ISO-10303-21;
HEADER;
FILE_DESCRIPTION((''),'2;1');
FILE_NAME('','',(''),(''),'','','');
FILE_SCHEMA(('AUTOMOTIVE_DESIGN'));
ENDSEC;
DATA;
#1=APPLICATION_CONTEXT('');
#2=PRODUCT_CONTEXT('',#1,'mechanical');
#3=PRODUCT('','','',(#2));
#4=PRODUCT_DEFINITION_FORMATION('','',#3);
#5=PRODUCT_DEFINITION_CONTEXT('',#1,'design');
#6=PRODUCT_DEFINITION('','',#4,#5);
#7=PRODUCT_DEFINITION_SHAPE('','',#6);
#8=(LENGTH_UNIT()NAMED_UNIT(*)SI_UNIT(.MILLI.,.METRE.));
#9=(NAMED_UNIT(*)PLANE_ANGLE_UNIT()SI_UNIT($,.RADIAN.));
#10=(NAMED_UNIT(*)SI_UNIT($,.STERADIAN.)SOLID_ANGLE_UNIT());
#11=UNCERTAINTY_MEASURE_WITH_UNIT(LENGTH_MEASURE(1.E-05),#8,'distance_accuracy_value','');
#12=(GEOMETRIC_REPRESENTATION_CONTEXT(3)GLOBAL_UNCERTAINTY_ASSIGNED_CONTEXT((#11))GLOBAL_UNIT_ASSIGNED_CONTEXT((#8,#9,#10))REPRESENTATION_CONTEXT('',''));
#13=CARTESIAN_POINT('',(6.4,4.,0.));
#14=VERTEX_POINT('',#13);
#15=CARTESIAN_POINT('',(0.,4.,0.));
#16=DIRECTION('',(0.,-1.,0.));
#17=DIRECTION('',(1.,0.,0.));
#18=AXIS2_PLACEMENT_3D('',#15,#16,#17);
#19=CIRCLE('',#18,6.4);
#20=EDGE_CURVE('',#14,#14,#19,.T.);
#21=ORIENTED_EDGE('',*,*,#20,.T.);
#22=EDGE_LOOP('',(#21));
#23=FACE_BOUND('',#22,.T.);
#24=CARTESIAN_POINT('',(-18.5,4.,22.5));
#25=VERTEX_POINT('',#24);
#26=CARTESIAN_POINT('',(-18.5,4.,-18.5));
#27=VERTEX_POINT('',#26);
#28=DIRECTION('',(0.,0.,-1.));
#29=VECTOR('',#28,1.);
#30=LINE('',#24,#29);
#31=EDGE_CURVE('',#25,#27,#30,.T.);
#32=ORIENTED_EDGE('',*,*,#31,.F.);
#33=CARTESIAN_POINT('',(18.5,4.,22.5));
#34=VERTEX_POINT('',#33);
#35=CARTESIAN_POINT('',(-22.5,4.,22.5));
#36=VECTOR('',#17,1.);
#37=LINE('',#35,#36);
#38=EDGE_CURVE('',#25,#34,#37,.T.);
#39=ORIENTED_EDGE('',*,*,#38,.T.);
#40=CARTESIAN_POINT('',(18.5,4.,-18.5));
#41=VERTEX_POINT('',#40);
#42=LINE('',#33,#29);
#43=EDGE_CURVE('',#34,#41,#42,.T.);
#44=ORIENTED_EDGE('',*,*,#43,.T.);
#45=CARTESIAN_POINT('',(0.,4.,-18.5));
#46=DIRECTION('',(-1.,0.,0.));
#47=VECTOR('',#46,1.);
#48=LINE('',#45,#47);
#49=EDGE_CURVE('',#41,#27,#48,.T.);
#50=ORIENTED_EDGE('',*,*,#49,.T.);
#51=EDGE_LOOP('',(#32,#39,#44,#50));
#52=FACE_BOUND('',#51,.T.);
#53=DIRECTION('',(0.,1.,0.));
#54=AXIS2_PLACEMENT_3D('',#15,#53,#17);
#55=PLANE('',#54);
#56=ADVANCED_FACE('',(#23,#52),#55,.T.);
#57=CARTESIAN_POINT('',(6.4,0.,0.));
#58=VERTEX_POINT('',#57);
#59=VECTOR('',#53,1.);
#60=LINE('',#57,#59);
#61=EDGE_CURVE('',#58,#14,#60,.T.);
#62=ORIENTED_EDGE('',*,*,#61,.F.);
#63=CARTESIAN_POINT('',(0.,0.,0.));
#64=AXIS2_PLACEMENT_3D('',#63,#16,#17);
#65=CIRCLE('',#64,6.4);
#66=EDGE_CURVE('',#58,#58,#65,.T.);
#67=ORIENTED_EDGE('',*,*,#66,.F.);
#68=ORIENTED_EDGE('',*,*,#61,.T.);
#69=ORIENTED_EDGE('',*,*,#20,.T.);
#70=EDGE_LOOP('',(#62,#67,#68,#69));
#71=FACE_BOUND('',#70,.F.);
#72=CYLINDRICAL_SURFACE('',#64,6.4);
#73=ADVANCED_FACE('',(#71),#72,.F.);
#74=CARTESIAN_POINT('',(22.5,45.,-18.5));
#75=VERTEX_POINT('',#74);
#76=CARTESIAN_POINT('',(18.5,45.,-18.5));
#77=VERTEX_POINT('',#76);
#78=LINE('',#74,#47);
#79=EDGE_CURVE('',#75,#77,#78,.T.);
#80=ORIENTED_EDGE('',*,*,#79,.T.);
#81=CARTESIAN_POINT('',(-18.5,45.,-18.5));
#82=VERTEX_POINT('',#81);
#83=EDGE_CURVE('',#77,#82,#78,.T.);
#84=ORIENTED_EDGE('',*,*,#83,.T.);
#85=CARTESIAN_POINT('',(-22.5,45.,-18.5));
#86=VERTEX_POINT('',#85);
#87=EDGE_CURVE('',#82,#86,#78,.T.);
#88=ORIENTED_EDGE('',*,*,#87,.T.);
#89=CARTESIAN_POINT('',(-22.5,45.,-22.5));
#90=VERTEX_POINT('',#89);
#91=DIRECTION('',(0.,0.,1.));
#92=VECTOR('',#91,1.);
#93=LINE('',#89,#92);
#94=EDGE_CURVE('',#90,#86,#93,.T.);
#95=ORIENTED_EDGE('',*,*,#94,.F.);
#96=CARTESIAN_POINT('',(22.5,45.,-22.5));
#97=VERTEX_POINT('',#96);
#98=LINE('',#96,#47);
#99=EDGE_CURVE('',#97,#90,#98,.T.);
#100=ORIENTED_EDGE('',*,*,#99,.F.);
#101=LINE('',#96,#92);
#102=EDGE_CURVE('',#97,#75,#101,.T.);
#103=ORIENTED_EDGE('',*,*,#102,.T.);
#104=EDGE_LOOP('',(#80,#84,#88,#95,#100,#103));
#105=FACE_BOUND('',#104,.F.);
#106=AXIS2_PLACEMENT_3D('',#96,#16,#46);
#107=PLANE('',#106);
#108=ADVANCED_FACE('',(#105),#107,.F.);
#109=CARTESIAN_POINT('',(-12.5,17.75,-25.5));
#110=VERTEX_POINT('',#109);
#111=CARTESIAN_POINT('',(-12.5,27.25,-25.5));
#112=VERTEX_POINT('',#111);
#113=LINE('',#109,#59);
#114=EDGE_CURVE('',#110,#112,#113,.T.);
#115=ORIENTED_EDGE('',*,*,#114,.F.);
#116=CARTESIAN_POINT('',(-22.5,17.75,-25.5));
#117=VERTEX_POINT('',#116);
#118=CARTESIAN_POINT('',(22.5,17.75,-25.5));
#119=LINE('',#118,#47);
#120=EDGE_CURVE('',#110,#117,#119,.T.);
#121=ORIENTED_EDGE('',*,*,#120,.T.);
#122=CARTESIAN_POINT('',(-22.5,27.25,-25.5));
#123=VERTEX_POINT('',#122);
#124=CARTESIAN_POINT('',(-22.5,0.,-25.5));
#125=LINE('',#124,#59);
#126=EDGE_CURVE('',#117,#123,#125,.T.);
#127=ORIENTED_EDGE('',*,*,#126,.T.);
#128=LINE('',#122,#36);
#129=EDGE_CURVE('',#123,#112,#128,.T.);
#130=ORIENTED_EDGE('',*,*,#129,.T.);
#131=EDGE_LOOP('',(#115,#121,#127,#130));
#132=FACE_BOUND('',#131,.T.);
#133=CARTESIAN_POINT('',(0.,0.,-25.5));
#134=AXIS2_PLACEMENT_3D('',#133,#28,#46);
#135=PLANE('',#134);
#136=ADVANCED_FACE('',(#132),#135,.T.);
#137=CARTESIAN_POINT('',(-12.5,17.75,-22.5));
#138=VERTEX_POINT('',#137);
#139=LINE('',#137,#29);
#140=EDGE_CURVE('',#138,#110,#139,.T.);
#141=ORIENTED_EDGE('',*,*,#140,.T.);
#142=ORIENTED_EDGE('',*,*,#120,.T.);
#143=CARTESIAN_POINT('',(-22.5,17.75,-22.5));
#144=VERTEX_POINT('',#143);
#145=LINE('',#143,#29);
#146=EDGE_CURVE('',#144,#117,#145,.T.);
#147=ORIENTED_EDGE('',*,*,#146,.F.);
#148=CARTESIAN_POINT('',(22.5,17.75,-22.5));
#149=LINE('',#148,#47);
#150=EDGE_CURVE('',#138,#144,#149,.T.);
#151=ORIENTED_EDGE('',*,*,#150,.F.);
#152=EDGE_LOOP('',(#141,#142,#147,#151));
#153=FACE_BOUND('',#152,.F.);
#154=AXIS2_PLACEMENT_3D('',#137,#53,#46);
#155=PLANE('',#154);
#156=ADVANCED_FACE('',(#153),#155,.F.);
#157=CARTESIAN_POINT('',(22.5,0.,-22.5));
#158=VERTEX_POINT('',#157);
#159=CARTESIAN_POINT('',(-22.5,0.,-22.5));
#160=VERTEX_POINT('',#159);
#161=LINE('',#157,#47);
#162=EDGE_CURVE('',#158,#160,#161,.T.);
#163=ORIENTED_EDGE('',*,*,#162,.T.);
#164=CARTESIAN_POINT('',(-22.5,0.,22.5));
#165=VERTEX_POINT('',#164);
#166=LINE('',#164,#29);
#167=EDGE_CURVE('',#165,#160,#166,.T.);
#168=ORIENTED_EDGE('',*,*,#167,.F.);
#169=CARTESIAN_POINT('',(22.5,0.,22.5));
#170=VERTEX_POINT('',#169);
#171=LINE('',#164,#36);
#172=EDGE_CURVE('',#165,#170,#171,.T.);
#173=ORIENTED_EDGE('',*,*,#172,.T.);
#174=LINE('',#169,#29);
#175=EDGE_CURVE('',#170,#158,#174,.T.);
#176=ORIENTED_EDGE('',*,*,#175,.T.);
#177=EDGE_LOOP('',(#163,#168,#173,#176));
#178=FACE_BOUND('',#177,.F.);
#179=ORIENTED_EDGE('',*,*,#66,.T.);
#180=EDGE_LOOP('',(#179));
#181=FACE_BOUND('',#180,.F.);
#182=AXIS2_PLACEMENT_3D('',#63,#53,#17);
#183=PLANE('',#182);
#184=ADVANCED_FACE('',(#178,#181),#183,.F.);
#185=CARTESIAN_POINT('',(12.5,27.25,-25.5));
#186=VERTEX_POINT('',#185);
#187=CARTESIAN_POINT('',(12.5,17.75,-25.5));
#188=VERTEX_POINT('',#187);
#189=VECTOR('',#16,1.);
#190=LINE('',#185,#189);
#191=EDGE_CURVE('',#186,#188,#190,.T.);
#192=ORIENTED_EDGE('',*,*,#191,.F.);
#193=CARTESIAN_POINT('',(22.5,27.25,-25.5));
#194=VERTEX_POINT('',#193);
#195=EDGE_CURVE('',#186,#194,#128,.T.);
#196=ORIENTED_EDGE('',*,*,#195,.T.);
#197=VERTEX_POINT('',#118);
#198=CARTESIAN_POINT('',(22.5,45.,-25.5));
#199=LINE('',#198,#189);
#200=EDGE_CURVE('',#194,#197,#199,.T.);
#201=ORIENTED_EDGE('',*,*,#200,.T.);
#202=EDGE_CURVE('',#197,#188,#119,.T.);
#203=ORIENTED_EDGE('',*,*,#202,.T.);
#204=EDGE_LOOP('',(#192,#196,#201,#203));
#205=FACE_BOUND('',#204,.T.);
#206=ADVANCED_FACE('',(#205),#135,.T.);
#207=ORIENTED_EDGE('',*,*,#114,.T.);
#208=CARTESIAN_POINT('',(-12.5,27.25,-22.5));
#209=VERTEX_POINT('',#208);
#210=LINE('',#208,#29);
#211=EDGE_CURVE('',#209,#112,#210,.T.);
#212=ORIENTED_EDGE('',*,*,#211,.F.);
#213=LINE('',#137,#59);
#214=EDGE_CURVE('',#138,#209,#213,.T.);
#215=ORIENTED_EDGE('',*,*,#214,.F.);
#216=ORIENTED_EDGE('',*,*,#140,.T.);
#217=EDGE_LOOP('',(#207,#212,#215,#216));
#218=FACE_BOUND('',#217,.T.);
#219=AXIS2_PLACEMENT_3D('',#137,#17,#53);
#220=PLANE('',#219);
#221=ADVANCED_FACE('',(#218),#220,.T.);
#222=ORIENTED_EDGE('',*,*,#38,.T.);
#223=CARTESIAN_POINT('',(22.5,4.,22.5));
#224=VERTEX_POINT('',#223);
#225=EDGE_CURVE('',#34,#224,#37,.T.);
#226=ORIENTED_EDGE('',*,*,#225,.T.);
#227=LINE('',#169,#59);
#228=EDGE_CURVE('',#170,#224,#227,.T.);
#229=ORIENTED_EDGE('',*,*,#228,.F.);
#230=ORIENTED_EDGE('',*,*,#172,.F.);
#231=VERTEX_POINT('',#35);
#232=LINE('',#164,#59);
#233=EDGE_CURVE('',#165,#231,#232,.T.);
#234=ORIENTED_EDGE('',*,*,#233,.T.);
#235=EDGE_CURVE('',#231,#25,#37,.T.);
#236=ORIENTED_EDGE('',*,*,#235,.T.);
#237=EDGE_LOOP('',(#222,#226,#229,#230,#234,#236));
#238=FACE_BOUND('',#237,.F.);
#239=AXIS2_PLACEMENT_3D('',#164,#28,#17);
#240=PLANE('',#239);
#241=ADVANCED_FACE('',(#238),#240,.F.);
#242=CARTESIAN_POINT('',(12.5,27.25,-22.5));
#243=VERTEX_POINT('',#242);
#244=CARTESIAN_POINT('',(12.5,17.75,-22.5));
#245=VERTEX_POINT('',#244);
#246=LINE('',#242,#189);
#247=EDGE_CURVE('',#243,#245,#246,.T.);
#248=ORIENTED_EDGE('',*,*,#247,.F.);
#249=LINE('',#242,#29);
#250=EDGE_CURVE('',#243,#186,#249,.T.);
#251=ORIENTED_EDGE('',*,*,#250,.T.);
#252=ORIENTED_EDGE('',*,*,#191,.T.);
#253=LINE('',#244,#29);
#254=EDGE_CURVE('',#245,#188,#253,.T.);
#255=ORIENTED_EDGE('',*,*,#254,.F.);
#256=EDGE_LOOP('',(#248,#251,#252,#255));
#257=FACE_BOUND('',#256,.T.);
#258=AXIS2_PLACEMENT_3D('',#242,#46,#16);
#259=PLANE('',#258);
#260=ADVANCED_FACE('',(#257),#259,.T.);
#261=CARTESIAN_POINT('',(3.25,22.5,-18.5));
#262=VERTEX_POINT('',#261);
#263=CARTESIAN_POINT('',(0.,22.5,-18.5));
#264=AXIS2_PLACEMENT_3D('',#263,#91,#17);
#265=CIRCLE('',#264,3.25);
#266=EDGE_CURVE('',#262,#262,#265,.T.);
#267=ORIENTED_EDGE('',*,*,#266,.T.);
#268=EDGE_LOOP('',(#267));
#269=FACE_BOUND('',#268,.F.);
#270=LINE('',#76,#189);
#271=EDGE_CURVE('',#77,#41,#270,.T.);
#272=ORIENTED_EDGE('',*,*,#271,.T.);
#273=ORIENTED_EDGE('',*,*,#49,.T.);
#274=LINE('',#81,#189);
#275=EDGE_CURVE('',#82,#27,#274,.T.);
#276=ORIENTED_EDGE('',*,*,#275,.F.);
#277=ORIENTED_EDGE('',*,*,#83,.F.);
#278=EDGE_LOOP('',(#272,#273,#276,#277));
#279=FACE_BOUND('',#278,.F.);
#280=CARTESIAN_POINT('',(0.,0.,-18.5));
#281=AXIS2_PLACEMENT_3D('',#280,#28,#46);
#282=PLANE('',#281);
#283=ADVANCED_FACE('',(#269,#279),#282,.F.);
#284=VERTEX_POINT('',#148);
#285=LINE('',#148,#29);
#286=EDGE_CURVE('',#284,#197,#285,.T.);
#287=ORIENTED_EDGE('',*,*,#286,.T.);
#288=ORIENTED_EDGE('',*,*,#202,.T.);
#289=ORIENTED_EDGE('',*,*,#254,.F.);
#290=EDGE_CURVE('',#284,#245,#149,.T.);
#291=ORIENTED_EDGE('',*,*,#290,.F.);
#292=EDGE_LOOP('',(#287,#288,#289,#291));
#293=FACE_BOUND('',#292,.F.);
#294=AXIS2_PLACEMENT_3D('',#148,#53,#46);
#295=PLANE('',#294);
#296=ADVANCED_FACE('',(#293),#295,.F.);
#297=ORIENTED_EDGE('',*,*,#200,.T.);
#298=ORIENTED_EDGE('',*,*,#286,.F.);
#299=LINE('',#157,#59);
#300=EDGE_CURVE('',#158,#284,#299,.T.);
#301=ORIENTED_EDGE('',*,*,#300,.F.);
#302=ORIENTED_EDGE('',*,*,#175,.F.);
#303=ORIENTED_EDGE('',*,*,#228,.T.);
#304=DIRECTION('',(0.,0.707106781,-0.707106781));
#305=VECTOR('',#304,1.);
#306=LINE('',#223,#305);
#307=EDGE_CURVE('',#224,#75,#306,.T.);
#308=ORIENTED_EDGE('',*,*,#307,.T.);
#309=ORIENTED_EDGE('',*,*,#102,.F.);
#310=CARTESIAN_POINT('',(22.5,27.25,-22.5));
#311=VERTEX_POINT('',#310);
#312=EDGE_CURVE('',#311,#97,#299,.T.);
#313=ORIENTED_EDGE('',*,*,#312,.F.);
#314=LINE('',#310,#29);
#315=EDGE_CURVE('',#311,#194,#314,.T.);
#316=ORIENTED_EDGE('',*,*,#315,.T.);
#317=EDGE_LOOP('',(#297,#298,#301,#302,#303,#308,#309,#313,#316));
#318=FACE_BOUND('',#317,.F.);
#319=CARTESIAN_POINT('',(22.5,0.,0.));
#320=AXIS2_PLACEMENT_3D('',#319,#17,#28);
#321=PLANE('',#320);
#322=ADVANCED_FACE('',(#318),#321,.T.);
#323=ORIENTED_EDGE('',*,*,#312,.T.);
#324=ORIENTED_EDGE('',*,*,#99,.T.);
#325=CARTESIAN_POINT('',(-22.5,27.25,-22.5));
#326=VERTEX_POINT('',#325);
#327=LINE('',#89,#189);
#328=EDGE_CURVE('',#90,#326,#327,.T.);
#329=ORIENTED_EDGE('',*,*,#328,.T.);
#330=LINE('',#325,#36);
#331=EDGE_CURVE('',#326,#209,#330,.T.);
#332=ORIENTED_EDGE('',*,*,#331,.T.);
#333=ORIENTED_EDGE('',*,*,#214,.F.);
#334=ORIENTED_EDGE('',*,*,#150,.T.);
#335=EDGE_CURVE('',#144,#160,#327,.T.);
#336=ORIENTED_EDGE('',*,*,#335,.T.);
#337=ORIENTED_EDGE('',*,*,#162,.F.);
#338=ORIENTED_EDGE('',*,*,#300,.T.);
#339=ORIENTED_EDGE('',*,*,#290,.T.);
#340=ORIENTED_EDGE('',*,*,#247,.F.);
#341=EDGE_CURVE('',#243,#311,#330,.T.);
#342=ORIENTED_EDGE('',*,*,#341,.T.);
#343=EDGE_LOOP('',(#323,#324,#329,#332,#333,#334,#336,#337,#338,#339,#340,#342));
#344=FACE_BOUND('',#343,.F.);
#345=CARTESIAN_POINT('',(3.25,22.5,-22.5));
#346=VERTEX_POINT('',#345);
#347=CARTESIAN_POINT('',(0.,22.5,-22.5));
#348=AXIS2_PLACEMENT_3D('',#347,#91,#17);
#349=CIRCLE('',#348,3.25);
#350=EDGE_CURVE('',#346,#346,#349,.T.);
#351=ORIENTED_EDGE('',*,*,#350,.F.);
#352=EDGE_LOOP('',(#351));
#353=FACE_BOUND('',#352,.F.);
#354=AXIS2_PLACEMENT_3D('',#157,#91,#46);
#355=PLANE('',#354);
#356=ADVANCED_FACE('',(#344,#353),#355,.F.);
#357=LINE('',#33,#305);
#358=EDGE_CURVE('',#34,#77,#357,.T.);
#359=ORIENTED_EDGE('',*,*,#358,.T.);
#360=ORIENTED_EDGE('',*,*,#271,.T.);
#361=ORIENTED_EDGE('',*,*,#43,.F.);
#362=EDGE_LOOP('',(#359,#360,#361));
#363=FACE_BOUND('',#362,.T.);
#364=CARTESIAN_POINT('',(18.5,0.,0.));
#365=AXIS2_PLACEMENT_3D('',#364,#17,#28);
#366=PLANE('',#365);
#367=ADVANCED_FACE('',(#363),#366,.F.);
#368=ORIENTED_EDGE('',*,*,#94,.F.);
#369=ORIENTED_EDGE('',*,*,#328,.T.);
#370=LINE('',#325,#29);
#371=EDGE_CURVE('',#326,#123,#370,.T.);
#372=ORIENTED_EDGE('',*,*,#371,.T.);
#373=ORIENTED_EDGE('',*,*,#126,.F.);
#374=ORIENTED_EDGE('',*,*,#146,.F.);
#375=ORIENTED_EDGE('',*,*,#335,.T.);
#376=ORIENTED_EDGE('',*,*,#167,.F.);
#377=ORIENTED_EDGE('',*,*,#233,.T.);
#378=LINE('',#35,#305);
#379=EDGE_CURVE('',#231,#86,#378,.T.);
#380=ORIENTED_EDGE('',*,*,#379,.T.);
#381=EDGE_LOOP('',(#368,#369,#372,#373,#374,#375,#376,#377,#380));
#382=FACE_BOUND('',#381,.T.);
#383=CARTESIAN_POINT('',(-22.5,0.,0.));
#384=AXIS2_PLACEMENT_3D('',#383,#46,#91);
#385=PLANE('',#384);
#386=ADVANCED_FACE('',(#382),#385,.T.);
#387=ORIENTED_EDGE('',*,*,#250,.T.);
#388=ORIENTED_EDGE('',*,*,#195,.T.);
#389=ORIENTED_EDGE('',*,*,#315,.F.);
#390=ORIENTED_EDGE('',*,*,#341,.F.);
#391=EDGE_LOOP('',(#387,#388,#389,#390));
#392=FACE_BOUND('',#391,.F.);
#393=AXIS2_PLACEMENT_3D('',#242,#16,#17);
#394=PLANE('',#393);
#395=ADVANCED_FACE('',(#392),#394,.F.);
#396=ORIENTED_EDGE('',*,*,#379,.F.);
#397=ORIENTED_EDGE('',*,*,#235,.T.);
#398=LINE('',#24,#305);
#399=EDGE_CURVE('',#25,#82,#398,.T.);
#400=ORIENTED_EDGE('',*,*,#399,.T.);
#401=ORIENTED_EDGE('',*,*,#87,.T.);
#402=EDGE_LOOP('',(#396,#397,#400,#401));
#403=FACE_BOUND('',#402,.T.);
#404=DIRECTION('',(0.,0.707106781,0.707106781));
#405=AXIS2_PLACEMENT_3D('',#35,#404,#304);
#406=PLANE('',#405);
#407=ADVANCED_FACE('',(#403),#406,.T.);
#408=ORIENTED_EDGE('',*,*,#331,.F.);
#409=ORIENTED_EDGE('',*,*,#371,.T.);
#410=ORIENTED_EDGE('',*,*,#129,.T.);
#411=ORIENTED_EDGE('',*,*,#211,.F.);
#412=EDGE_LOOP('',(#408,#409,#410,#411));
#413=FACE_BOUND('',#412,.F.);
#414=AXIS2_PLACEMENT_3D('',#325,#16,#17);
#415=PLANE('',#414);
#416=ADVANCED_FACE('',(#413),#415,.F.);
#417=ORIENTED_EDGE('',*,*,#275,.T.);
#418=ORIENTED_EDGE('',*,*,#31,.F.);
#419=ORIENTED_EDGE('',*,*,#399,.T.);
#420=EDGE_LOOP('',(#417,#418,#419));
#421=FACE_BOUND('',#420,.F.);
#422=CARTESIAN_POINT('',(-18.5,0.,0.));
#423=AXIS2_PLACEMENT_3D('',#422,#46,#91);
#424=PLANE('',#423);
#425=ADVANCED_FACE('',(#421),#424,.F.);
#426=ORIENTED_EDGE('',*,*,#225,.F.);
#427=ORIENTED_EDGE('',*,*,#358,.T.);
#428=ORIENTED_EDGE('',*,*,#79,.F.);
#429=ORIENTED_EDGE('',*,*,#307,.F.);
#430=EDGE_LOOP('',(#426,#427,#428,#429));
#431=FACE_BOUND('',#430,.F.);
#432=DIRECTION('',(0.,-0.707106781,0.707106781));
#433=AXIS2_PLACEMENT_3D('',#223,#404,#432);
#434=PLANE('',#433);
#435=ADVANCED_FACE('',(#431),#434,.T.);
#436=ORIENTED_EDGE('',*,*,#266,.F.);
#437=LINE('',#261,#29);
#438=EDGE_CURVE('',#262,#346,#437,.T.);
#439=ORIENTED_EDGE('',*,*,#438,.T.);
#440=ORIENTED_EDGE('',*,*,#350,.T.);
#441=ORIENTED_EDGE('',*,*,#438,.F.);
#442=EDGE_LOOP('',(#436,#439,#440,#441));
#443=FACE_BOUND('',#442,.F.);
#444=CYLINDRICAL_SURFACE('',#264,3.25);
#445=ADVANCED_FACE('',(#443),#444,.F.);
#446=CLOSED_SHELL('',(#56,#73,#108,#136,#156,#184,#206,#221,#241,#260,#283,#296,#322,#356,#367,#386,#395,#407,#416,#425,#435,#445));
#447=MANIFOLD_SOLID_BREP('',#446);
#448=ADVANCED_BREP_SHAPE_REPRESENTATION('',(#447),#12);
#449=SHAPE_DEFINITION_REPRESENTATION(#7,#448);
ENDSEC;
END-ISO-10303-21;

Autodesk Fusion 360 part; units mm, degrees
sketch "Sketch1" plane through (0, 0, 0) normal (0, 1, 0) x (1, 0, 0)
  line L0 (22.5, 22.5) -> (-22.5, 22.5)
  line L1 (-22.5, 22.5) -> (-22.5, -22.5)
  line L2 (-22.5, -22.5) -> (22.5, -22.5)
  line L3 (22.5, -22.5) -> (22.5, 22.5)
  line L4 (22.5, 22.5) -> (-22.5, -22.5) construction
  line L5 (-22.5, 22.5) -> (22.5, -22.5) construction
  dimension "d1" = 45
  dimension "d2" = 45
extrude "Extrude1" add sketch "Sketch1" along normal blind 4
sketch "Sketch2" plane through (0, 0, -22.5) normal (0, 0, -1) x (-1, 0, 0)
  line L0 (22.5, 0) -> (-22.5, 0)
  line L1 (-22.5, 0) -> (-22.5, 45)
  line L2 (-22.5, 45) -> (22.5, 45)
  line L3 (22.5, 45) -> (22.5, 0)
  point P0 (-22.5, 0)
  point P1 (22.5, 0)
  dimension "d12" = 45
extrude "Extrude4" add sketch "Sketch2" against normal blind 4
sketch "Sketch3" plane through (-22.5, 0, 0) normal (-1, 0, 0) x (0, 0, 1)
  line L0 (-22.5, 0) -> (22.5, 0)
  line L1 (22.5, 0) -> (22.5, 4)
  line L2 (22.5, 4) -> (-18.5, 4)
  line L3 (-22.5, 45) -> (-22.5, 0)
  line L4 (-18.5, 45) -> (-18.5, 4)
  line L5 (22.5, 4) -> (-18.5, 45)
  line L6 (-18.5, 4) -> (-18.5, 45)
  line L7 (-18.5, 45) -> (-22.5, 45)
extrude "Extrude3" add sketch "Sketch3" against normal blind 4 contours L2 L4 L5 L6
mirror "Mirror1" about plane through (0, 0, 0) normal (1, 0, 0) of "Extrude3"
sketch "Sketch6" plane through (0, 0, -22.5) normal (0, 0, -1) x (-1, 0, 0)
  line L0 (-22.5, 0) -> (22.5, 0)
  line L1 (22.5, 0) -> (22.5, 45)
  line L2 (22.5, 45) -> (-22.5, 45)
  line L3 (-22.5, 45) -> (-22.5, 0)
  line L4 (22.5, 27.25) -> (-22.5, 27.25)
  line L5 (-22.5, 27.25) -> (-22.5, 17.75)
  line L6 (-22.5, 17.75) -> (22.5, 17.75)
  line L7 (22.5, 17.75) -> (22.5, 27.25)
  line L8 (22.5, 27.25) -> (-22.5, 17.75) construction
  line L9 (-22.5, 27.25) -> (22.5, 17.75) construction
  line L10 (0, 0) -> (0, 6.5) construction
  line L11 (12.5, 27.25) -> (-12.5, 27.25)
  line L12 (-12.5, 27.25) -> (-12.5, 17.75)
  line L13 (-12.5, 17.75) -> (12.5, 17.75)
  line L14 (12.5, 17.75) -> (12.5, 27.25)
  line L15 (12.5, 27.25) -> (-12.5, 17.75) construction
  line L16 (-12.5, 27.25) -> (12.5, 17.75) construction
  point P0 (0, 22.5)
  point P1 (0, 22.5)
  dimension "d31" = 9.5
  dimension "d32" = 22.5
  dimension "d35" = 25
extrude "Extrude7" add sketch "Sketch6" along normal blind 3 contours L3 L4 L5 L6 L12 | L1 L4 L6 L7 L14
sketch "Sketch4" plane through (0, 0, -18.5) normal (0, 0, 1) x (1, 0, 0)
  line L0 (18.5, 45) -> (-18.5, 45)
  line L1 (-18.5, 45) -> (-18.5, 4)
  line L2 (-18.5, 4) -> (18.5, 4)
  line L3 (22.5, 45) -> (-22.5, 45)
  line L4 (-22.5, 0) -> (22.5, 0)
  line L5 (0, 0) -> (0, 20.1593) construction
  circle A0 centre (0, 22.5) radius 3.25
  dimension "d29" = 6.5
  dimension "d30" = 22.5
extrude "Extrude5" cut sketch "Sketch4" against normal through all
sketch "Sketch5" plane through (0, 0, 0) normal (0, -1, 0) x (1, 0, 0)
  line L0 (22.5, -22.5) -> (22.5, 22.5)
  line L1 (-22.5, 22.5) -> (-22.5, -22.5)
  line L2 (-22.5, -22.5) -> (22.5, -22.5)
  line L3 (-22.5, -22.5) -> (22.5, -22.5)
  circle A0 centre (0, 0) radius 6.4
  dimension "d28" = 12.8
extrude "Extrude6" cut sketch "Sketch5" against normal blind 4
equation "d30 = ( 45 / 2 ) * 1 mm"
equation "d32 = ( 45 / 2 ) * 1 mm"
